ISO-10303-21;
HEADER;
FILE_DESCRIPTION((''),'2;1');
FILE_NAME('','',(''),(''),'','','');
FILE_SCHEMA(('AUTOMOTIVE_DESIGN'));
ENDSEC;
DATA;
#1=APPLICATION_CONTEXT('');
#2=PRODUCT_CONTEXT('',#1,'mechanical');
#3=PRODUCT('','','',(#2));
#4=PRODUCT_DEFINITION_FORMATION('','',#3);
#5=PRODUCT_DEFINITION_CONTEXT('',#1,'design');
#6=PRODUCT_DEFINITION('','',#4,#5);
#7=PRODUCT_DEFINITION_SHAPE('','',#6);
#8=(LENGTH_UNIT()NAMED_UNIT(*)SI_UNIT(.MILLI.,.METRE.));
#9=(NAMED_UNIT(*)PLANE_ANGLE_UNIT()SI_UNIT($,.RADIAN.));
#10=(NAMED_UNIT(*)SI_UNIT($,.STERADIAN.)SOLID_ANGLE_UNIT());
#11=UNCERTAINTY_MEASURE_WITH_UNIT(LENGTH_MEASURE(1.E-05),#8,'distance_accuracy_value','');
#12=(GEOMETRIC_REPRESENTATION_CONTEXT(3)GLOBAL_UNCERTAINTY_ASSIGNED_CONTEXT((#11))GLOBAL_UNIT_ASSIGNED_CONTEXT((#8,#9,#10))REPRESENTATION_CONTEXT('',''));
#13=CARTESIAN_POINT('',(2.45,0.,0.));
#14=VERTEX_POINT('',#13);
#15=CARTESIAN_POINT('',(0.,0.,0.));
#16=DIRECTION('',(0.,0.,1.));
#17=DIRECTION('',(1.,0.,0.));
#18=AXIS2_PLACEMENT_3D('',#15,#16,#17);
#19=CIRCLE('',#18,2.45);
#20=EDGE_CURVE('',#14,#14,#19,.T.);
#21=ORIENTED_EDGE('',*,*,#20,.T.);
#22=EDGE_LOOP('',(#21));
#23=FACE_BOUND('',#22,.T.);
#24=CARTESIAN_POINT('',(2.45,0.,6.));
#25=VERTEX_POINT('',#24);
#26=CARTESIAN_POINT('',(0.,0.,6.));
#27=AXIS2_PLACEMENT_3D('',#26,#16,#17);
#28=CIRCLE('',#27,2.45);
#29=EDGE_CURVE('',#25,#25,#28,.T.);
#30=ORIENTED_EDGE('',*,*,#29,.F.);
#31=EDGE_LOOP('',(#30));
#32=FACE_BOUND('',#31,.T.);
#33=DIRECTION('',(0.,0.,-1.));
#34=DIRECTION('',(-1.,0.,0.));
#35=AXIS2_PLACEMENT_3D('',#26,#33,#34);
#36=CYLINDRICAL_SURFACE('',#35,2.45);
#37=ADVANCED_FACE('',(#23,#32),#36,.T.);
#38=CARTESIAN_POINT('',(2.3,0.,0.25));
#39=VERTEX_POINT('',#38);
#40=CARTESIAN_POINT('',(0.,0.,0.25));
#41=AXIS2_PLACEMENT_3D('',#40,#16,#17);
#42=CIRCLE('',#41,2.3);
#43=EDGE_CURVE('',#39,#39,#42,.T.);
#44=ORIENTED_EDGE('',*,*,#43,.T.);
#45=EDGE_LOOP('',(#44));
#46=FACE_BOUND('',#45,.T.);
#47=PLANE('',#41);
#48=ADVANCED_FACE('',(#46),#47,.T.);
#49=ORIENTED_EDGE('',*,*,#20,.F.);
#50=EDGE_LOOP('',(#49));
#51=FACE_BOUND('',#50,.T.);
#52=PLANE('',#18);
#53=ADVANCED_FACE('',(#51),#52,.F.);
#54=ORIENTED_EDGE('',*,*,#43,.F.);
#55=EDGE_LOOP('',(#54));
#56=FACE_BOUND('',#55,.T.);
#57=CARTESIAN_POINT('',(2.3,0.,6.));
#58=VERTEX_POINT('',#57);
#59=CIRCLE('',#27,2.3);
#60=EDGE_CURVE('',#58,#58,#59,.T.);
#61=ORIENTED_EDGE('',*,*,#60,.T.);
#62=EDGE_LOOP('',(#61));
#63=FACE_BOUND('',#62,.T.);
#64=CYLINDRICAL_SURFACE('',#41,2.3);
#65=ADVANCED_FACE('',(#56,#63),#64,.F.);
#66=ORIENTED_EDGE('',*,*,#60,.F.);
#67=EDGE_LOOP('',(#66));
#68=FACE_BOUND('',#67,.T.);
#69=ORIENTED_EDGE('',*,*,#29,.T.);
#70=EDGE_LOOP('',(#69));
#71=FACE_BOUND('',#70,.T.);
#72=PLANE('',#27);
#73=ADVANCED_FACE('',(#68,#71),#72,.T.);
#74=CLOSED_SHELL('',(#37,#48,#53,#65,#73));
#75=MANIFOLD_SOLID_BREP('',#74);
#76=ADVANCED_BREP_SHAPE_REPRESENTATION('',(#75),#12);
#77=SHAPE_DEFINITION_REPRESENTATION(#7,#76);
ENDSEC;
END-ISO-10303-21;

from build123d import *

# Parameters (mm, degrees)
SKETCH1_R           = 2.45
BOSS_EXTRUDE1_DEPTH = 6
SKETCH2_R           = 2.3
CUT_EXTRUDE1_DEPTH  = 5.75


with BuildPart() as part:
    # Sketch1 → Boss-Extrude1 (new body)
    with BuildSketch(Plane.XY):
        Circle(SKETCH1_R)
    extrude(amount=BOSS_EXTRUDE1_DEPTH)

    # Sketch2 → Cut-Extrude1 (cut)
    with BuildSketch(Plane.XY.offset(6)):
        Circle(SKETCH2_R)
    extrude(amount=-CUT_EXTRUDE1_DEPTH, mode=Mode.SUBTRACT)


solid = part.part
